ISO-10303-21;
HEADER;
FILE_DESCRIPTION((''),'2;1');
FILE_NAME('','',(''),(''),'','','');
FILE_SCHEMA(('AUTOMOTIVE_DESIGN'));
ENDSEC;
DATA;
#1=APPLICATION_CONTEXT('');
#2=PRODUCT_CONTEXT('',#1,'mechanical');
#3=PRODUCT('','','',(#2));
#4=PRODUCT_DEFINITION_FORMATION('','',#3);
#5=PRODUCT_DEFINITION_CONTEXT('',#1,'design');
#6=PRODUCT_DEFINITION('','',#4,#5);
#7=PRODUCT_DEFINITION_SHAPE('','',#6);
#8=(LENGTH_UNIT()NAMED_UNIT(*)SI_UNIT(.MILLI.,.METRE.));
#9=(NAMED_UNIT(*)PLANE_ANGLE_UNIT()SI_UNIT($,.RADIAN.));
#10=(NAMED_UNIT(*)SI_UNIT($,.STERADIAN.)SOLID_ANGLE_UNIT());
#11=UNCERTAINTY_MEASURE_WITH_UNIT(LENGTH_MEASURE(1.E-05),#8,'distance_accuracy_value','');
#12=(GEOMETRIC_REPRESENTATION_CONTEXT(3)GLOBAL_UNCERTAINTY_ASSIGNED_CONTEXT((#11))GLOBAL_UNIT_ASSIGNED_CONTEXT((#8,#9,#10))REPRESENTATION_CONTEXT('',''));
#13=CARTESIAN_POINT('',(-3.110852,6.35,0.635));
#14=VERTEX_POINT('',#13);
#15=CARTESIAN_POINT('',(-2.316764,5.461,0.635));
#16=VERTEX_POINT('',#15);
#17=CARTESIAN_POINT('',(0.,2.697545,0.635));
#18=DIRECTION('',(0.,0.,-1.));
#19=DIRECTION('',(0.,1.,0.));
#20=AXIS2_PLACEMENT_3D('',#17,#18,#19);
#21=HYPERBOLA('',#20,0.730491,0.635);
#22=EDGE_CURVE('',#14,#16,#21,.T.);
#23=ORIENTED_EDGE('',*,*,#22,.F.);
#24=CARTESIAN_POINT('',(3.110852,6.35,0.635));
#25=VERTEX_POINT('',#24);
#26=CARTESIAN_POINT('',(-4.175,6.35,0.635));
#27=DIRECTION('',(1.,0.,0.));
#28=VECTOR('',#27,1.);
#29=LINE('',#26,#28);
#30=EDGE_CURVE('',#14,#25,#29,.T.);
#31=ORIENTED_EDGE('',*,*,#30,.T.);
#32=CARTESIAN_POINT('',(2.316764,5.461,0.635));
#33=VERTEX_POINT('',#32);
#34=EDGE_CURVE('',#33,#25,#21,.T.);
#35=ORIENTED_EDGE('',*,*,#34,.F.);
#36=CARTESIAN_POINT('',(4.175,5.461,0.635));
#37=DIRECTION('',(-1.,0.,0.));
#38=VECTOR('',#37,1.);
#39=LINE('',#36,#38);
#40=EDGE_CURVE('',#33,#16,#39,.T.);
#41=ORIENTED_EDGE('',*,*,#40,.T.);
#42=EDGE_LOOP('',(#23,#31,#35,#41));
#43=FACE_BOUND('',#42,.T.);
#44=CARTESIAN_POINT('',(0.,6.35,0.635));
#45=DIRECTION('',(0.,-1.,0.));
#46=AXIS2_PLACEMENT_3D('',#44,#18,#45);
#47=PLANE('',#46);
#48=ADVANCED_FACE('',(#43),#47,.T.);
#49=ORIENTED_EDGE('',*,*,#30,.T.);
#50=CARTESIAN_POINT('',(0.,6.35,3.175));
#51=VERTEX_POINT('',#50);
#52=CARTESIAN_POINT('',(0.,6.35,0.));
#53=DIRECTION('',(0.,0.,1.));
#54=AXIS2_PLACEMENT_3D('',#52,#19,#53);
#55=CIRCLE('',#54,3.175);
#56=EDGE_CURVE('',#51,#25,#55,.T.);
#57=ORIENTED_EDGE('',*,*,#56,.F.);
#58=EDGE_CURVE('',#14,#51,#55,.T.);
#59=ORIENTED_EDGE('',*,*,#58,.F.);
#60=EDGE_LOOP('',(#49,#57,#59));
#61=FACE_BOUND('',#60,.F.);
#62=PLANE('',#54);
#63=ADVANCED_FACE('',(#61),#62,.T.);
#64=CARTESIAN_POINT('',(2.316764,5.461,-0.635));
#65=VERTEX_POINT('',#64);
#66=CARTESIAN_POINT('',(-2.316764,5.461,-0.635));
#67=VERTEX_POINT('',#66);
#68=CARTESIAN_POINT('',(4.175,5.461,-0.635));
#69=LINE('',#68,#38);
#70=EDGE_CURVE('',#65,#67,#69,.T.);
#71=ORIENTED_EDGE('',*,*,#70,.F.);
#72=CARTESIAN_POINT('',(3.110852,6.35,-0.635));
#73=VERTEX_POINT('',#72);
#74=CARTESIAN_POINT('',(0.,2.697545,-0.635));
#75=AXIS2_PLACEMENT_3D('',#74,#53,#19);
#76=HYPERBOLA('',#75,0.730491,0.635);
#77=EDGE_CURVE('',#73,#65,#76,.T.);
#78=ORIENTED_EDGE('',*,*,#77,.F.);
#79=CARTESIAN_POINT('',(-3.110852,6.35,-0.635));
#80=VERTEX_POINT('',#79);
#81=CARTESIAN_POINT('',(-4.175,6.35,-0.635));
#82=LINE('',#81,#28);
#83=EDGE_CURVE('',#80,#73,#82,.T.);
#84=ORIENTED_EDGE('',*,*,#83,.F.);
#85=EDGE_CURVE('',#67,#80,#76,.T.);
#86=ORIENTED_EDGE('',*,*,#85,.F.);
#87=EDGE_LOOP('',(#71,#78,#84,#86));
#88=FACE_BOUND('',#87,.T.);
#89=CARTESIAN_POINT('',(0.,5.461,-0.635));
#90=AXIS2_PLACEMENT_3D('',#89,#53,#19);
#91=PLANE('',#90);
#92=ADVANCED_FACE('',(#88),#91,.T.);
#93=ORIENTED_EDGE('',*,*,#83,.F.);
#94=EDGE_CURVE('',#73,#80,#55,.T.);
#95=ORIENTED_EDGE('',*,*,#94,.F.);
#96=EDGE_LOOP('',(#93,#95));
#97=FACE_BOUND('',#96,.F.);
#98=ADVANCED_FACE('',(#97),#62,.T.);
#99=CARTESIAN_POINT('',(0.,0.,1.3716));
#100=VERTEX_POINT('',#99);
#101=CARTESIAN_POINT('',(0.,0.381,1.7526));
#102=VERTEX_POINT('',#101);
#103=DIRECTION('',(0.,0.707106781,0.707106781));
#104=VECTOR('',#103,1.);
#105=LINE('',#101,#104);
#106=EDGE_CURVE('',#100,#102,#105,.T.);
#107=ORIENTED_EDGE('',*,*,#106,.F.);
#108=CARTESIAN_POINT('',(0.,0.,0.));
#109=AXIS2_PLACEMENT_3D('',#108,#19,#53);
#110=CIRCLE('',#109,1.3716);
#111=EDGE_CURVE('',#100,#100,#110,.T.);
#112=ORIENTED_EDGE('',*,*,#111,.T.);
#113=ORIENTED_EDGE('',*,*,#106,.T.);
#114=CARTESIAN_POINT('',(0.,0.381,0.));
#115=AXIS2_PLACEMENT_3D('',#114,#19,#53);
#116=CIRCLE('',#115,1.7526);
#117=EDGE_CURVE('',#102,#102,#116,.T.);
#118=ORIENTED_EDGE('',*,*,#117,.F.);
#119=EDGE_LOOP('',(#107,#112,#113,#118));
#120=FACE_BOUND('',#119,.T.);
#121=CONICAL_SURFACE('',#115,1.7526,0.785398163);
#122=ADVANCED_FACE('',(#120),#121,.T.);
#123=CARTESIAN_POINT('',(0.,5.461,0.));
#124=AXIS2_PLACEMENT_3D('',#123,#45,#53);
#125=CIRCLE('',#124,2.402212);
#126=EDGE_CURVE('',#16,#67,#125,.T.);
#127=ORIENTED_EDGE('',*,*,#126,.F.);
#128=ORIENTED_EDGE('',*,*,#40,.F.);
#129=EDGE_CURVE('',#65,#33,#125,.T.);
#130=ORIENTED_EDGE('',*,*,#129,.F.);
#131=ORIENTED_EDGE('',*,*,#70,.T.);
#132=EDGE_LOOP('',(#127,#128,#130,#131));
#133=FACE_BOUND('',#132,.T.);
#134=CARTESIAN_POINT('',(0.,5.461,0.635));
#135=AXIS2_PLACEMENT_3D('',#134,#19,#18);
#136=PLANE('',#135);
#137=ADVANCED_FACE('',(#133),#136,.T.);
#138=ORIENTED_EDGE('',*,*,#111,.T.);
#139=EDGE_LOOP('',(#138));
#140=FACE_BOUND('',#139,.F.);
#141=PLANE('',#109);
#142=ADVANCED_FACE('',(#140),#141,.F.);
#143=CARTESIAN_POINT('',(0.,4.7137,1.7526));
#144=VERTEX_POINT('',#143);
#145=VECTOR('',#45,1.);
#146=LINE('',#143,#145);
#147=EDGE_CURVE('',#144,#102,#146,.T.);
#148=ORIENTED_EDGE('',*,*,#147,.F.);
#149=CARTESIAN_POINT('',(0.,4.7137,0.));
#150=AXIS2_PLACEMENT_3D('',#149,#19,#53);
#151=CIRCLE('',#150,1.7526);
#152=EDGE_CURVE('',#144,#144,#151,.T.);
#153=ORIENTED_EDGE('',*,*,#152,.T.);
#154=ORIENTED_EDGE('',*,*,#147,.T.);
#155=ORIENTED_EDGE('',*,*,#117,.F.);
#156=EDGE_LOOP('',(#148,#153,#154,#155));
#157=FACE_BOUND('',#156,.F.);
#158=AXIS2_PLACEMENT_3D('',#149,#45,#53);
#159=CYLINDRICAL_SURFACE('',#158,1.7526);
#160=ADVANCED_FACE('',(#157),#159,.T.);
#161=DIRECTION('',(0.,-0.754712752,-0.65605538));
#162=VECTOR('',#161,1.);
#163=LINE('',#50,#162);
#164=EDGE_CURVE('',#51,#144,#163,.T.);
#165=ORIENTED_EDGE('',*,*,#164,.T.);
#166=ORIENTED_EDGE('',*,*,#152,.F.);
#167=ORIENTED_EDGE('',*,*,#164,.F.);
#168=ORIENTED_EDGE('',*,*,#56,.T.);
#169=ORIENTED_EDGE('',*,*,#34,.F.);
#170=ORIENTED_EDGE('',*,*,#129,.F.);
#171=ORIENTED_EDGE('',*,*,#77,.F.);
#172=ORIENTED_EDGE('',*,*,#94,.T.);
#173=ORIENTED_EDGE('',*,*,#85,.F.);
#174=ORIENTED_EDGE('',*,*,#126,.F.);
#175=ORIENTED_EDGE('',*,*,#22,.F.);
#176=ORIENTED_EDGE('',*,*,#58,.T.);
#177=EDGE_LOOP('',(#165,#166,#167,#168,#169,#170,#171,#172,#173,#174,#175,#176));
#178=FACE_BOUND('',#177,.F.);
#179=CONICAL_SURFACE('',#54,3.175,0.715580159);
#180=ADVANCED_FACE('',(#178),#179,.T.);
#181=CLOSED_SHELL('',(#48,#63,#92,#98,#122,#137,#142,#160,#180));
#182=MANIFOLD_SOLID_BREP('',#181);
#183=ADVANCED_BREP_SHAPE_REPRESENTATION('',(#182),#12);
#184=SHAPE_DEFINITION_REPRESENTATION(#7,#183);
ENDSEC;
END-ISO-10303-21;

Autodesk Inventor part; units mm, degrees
ref_plane "YZ Plane" through (0, 0, 0) normal (1, 0, 0) x (0, 1, 0)
ref_plane "XZ Plane" through (0, 0, 0) normal (0, 1, 0) x (-1, 0, 0)
ref_plane "XY Plane" through (0, 0, 0) normal (0, 0, 1) x (1, 0, 0)
sketch "Sketch1" plane through (0, 0, 0) normal (1, 0, 0) x (0, 1, 0)
  line L0 (6.35, 0) -> (6.35, 3.175)
  line L1 (6.35, 3.175) -> (4.7137, 1.7526)
  line L2 (4.7137, 1.7526) -> (0, 1.7526)
  line L3 (0, 1.7526) -> (0, 0)
  line L4 (0, 0) -> (6.35, 0)
  line L5 (6.35, 0) -> (6.35, -3.175) construction
  line L6 (6.35, -3.175) -> (4.7137, -1.7526) construction
  line L7 (4.7137, -1.7526) -> (0, -1.7526) construction
  line L8 (0, -1.7526) -> (0, 0) construction
  dimension "d0" = 6.35
  dimension "d1" = 3.5052
  dimension "d2" = 82
  dimension "d3" = 6.35
revolve "Revolution1" add sketch "Sketch1" angle 360 about axis through (0, 0, 0) along (0, 1, 0)
sketch "Sketch2" plane through (0, 0, 0) normal (1, 0, 0) x (0, 1, 0)
  line L0 (4.7137, -1.7526) -> (4.7137, 1.7526) construction
  line L1 (6.35, -3.175) -> (6.35, 3.175) construction
  line L2 (6.35, -3.175) -> (6.35, 3.175) projected
  line L3 (6.35, 0.635) -> (5.461, 0.635)
  line L4 (5.461, 0.635) -> (5.461, -0.635)
  line L5 (5.461, -0.635) -> (6.35, -0.635)
  line L6 (6.35, -0.635) -> (6.35, 0.635)
  line L7 (6.35, 0) -> (4.7137, 0) construction
  point P0 (0, 0)
  dimension "d5" = 1.27
  dimension "d6" = 0.889
extrude "Extrusion1" cut sketch "Sketch2" along normal through all both and the other way through all
chamfer "Chamfer1" distance 0.381 angle 45 1 edges at (0, 0, -1.7526)
thread "Thread1" size "6-32 UNC" class "2A" standard "ANSI Unified Screw Threads" full length
properties part number "6-32x0.25 Slotted Flathead" material "Stainless Steel, 440C"
